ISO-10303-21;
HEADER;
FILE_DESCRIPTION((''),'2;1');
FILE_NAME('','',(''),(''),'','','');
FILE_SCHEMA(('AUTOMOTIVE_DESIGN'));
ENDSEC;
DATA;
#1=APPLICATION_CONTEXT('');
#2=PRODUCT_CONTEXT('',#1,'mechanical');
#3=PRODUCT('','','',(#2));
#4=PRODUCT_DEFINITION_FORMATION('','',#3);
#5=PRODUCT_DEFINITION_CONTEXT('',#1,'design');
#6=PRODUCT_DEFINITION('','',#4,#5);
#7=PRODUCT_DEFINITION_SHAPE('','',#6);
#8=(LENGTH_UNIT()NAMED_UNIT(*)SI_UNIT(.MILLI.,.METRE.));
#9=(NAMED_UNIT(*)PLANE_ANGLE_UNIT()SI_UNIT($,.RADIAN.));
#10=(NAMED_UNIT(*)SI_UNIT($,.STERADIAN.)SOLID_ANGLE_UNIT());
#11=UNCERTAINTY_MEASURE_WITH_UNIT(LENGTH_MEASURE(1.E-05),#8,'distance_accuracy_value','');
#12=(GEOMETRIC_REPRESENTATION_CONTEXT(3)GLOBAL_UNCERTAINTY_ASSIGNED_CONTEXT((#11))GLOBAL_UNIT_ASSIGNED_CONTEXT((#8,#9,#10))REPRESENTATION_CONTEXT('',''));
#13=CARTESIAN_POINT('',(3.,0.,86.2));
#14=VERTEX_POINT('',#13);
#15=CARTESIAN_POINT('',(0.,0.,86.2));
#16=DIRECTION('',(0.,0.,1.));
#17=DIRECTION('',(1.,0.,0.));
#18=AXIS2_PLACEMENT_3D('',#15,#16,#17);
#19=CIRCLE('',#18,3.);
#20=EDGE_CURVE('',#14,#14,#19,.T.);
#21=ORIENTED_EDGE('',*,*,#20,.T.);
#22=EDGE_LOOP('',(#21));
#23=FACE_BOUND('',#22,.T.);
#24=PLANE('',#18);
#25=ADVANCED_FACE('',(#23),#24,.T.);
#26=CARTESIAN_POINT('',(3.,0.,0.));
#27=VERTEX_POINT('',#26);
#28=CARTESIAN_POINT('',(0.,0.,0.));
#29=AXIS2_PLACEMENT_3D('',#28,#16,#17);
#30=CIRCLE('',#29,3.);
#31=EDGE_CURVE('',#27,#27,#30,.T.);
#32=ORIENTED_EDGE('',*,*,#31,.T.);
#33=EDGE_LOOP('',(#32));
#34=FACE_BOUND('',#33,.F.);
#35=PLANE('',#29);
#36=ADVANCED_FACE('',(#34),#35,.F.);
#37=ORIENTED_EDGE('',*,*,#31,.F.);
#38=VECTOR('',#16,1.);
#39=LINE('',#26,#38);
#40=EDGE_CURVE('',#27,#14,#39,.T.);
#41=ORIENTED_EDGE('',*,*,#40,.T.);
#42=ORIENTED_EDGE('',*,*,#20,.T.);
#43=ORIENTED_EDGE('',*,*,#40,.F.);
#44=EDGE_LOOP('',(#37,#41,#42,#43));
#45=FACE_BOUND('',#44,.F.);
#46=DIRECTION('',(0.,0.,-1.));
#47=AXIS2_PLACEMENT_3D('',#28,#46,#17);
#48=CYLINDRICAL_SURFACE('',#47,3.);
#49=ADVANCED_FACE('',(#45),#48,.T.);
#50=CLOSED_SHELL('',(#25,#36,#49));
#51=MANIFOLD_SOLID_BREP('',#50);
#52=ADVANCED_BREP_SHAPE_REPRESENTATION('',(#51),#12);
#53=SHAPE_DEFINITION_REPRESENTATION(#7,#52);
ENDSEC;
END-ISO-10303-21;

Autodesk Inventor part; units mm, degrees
ref_plane "YZ Plane" through (0, 0, 0) normal (1, 0, 0) x (0, 1, 0)
ref_plane "XZ Plane" through (0, 0, 0) normal (0, 1, 0) x (-1, 0, 0)
ref_plane "XY Plane" through (0, 0, 0) normal (0, 0, 1) x (1, 0, 0)
sketch "スケッチ1" plane through (0, 0, 0) normal (0, 0, 1) x (1, 0, 0)
  circle A0 centre (0, 0) radius 3
  dimension "d0" = 6
extrude "押し出し1" add sketch "スケッチ1" along normal blind 86.2
properties part number "ロボット回転_エンコーダシャフト" material "アルミニウム 6061"
